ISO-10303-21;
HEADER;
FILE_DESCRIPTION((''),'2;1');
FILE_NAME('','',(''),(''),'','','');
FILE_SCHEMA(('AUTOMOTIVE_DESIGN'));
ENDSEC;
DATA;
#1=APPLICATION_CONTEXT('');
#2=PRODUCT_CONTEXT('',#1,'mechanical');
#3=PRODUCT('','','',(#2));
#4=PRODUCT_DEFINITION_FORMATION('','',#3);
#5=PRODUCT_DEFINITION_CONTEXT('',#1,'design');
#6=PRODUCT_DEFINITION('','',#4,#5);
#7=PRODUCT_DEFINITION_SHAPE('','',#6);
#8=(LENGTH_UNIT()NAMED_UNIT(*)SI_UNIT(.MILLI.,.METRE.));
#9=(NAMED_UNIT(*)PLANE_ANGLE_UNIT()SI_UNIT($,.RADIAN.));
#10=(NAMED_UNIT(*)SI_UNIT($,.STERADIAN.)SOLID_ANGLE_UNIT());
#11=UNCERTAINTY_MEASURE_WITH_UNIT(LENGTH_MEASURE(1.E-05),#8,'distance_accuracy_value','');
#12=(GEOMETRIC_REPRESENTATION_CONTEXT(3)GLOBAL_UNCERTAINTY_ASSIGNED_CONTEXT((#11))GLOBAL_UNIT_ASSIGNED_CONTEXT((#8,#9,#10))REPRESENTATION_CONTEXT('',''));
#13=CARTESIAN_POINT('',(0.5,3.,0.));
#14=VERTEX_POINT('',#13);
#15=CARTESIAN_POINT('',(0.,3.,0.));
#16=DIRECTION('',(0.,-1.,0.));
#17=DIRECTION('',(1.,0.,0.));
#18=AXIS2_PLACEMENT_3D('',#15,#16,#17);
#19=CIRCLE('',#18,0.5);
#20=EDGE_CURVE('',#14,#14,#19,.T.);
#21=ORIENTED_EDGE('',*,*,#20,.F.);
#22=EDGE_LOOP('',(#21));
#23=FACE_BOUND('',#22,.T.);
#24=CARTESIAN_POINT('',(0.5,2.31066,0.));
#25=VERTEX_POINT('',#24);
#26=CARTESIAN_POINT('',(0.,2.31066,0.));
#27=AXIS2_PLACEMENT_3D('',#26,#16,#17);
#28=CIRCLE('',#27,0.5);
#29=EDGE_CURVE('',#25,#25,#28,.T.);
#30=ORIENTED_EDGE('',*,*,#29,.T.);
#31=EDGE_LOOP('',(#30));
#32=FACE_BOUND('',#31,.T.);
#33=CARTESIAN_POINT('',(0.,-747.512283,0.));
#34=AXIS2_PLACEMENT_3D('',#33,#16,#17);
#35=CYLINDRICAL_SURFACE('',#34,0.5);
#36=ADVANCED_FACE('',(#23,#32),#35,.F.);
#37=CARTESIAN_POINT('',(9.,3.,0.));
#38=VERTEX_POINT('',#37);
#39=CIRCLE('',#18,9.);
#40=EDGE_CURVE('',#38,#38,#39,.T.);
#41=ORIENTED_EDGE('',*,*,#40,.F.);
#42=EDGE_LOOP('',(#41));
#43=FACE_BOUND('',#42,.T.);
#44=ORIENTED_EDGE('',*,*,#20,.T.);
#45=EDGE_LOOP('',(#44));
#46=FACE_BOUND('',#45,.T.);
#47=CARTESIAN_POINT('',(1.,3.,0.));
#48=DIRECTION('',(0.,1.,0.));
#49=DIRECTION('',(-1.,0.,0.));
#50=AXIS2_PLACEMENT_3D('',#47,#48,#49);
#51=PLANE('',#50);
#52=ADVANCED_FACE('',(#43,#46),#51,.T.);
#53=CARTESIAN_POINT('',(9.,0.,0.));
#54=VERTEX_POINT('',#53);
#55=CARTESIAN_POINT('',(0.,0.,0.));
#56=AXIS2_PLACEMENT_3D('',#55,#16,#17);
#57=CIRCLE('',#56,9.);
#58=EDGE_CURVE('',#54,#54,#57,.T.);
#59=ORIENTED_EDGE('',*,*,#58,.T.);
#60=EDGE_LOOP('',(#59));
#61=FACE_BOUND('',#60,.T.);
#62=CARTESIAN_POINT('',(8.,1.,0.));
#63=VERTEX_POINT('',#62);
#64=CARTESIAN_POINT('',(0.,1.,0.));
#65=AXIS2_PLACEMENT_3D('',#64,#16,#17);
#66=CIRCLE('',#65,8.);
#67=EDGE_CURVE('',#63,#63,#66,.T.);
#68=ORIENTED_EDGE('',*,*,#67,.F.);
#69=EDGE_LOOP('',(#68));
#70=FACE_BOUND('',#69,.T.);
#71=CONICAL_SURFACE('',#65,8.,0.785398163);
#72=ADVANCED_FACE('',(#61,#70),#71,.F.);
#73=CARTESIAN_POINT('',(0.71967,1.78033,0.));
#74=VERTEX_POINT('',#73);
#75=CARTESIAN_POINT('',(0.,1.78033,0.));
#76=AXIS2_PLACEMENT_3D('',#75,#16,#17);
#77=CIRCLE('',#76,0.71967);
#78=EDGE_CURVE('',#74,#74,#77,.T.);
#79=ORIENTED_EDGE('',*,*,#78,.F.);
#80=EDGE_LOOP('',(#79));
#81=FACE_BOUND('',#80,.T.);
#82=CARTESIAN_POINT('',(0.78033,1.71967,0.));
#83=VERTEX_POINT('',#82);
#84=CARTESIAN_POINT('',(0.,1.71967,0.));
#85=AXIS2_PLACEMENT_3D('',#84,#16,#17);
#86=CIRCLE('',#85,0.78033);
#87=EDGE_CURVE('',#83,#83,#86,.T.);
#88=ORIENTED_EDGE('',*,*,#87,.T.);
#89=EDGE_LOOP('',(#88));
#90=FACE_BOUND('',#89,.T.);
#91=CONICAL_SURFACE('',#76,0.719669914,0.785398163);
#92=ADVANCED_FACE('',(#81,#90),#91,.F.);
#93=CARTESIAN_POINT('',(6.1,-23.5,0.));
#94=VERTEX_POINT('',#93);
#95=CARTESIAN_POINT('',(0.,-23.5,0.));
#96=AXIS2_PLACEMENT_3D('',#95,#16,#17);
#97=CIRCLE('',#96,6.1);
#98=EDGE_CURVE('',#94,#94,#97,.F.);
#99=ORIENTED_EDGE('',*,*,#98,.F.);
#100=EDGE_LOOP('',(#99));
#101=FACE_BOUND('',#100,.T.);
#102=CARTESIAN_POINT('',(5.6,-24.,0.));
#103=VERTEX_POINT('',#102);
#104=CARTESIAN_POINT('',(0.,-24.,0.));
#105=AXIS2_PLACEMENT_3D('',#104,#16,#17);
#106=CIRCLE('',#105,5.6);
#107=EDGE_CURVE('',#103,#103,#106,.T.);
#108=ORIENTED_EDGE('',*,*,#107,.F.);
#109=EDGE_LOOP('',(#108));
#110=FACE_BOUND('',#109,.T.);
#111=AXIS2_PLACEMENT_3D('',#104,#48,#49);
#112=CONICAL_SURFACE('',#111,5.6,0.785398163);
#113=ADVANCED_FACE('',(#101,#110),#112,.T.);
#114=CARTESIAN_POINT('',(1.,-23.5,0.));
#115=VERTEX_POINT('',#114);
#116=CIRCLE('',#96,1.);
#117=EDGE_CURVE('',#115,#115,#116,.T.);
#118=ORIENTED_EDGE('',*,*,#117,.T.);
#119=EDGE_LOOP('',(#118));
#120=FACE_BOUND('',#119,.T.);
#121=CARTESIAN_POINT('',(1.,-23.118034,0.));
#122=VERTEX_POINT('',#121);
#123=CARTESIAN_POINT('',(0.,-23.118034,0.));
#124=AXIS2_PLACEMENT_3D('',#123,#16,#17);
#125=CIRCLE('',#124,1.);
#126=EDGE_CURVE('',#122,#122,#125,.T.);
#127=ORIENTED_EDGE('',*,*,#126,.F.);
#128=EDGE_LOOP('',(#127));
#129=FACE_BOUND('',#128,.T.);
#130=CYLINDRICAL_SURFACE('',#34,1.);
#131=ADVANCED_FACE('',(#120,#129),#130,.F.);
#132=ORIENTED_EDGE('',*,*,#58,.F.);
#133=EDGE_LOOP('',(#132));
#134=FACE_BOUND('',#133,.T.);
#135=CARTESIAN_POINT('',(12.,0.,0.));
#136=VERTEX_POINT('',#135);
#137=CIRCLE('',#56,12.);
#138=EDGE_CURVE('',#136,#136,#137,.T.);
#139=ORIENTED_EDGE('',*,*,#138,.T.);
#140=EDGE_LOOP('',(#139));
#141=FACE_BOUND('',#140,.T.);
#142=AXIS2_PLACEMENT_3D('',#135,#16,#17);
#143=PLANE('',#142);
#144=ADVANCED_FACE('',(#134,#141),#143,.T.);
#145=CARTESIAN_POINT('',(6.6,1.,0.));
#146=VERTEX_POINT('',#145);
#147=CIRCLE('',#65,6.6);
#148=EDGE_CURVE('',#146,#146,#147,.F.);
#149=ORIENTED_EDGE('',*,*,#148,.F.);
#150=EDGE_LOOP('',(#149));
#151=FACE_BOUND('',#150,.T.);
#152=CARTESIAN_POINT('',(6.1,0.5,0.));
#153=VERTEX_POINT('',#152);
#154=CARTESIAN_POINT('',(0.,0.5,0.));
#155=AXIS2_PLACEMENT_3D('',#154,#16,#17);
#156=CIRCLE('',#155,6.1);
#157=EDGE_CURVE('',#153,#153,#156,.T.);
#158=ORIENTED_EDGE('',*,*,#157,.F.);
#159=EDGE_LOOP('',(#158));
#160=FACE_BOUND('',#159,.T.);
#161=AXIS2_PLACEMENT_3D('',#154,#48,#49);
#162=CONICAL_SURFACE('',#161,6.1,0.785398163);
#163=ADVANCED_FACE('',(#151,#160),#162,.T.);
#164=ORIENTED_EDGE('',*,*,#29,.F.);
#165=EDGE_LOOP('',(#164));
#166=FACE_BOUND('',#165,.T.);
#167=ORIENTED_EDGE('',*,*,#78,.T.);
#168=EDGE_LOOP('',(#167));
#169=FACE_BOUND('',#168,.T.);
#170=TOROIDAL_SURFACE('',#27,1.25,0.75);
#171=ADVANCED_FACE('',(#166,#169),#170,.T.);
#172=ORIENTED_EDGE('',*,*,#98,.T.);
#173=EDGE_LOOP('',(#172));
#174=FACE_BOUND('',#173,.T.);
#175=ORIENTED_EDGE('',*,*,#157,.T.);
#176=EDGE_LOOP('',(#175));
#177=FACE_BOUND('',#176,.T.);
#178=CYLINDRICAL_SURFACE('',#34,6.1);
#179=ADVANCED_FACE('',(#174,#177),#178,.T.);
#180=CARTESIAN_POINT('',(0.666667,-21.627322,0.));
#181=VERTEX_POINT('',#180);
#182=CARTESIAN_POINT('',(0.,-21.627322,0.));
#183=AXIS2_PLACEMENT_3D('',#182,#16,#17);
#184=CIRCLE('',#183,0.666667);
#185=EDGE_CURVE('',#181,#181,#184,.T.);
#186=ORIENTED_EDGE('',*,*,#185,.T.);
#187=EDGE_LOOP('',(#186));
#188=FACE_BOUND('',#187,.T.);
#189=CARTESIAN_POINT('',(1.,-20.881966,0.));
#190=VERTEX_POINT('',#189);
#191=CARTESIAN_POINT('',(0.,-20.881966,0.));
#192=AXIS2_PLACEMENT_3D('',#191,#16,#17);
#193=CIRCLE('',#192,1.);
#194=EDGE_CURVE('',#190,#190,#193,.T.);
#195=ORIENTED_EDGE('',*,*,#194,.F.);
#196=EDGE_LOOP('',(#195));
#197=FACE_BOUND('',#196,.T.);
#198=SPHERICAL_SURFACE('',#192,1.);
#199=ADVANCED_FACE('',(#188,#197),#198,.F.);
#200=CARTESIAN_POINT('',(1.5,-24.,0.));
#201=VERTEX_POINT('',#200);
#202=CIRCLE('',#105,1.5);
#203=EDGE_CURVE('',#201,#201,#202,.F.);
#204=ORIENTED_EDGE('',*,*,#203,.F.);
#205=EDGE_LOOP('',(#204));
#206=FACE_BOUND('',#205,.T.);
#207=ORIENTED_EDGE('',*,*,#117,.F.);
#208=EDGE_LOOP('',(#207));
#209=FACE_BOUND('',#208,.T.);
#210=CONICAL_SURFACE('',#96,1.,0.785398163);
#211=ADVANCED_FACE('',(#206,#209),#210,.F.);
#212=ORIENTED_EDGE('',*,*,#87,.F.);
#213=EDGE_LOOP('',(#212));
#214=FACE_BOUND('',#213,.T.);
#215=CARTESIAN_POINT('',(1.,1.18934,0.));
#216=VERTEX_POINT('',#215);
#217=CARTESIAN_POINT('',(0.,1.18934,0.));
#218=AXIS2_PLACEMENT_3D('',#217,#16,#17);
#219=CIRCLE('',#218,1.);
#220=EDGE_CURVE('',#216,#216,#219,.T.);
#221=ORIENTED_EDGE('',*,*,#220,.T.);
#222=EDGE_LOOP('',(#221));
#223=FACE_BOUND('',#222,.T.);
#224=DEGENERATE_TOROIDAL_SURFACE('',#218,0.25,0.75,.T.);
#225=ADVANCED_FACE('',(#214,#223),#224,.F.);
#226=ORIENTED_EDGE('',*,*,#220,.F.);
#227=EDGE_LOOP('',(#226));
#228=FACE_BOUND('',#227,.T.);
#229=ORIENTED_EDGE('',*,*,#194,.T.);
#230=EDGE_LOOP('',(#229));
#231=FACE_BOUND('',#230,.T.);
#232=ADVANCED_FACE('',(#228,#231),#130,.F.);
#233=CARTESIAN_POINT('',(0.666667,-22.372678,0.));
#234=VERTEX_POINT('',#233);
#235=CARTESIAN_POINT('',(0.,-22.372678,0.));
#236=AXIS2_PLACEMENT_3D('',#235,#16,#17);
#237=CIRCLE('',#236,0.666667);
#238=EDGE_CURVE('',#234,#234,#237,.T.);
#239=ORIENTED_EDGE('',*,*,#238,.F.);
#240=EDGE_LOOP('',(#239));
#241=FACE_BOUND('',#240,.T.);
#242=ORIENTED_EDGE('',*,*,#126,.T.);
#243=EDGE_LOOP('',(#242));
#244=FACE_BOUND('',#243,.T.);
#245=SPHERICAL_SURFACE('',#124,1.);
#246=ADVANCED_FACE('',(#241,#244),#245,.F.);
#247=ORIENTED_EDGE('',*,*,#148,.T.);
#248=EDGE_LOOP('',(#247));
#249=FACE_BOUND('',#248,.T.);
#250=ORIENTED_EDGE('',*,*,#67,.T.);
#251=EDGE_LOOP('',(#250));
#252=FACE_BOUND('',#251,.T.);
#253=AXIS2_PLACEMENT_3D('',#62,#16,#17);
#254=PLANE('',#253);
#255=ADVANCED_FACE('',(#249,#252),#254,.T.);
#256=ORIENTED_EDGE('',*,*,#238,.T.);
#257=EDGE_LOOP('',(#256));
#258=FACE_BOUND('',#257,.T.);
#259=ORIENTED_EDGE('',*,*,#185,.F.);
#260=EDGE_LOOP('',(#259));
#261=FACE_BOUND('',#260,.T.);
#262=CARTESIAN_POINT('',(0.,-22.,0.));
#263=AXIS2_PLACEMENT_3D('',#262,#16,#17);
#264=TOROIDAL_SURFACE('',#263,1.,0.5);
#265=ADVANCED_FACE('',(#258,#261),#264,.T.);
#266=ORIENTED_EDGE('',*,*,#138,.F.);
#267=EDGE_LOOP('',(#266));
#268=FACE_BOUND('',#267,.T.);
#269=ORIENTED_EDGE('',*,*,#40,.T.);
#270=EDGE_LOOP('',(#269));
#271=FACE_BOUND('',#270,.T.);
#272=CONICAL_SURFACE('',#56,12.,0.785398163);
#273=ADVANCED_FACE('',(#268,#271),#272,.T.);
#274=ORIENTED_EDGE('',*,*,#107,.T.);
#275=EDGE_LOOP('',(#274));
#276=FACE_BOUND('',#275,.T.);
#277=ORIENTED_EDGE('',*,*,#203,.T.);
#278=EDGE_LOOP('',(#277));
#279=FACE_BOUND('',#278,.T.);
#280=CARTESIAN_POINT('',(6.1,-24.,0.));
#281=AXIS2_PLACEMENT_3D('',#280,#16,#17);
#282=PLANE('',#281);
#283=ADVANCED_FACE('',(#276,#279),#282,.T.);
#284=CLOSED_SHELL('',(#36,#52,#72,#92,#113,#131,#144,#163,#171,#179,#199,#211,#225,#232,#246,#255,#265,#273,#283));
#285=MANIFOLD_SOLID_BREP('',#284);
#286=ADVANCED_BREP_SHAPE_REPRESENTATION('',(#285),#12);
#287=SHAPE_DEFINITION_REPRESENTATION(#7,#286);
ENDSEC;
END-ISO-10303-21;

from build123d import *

# Parameters (mm, degrees)
CHAMFER2_SIZE = 0.5


with BuildPart() as part:
    # Sketch2 → Revolve1 (revolve)
    with BuildSketch(Plane.XY):
        with BuildLine():
            Line((12, 0), (9, 3))
            Line((9, 3), (1, 3))
            Line((1, 3), (0.5, 3))
            Line((0.5, 3), (0.5, 2.310660172))
            ThreePointArc((0.5, 2.310660172), (0.557090351, 2.023647598), (0.719669914, 1.780330086))
            Line((0.719669914, 1.780330086), (0.780330086, 1.719669914))
            ThreePointArc((0.780330086, 1.719669914), (0.942909649, 1.476352402), (1, 1.189339828))
            Line((1, 1.189339828), (1, -20.881966011))
            ThreePointArc((1, -20.881966011), (0.912870929, -21.290214302), (0.666666667, -21.627322004))
            ThreePointArc((0.666666667, -21.627322004), (0.5, -22), (0.666666667, -22.372677996))
            ThreePointArc((0.666666667, -22.372677996), (0.912870929, -22.709785698), (1, -23.118033989))
            Line((1, -23.118033989), (1, -24))
            Line((1, -24), (6.1, -24))
            Line((6.1, -24), (6.1, 1))
            Line((6.1, 1), (8, 1))
            Line((8, 1), (9, 0))
            Line((9, 0), (12, 0))
        make_face()
    revolve(axis=Axis((0, -747.512282571, 0), (0, 1, 0)))

    # Chamfer2
    chamfer2_edges = [part.edges().sort_by_distance(p)[0] for p in [
        (-1, -24, 0),
        (-6.1, -24, 0),
        (-6.1, 1, 0),
    ]]
    chamfer(chamfer2_edges, length=CHAMFER2_SIZE)


solid = part.part
